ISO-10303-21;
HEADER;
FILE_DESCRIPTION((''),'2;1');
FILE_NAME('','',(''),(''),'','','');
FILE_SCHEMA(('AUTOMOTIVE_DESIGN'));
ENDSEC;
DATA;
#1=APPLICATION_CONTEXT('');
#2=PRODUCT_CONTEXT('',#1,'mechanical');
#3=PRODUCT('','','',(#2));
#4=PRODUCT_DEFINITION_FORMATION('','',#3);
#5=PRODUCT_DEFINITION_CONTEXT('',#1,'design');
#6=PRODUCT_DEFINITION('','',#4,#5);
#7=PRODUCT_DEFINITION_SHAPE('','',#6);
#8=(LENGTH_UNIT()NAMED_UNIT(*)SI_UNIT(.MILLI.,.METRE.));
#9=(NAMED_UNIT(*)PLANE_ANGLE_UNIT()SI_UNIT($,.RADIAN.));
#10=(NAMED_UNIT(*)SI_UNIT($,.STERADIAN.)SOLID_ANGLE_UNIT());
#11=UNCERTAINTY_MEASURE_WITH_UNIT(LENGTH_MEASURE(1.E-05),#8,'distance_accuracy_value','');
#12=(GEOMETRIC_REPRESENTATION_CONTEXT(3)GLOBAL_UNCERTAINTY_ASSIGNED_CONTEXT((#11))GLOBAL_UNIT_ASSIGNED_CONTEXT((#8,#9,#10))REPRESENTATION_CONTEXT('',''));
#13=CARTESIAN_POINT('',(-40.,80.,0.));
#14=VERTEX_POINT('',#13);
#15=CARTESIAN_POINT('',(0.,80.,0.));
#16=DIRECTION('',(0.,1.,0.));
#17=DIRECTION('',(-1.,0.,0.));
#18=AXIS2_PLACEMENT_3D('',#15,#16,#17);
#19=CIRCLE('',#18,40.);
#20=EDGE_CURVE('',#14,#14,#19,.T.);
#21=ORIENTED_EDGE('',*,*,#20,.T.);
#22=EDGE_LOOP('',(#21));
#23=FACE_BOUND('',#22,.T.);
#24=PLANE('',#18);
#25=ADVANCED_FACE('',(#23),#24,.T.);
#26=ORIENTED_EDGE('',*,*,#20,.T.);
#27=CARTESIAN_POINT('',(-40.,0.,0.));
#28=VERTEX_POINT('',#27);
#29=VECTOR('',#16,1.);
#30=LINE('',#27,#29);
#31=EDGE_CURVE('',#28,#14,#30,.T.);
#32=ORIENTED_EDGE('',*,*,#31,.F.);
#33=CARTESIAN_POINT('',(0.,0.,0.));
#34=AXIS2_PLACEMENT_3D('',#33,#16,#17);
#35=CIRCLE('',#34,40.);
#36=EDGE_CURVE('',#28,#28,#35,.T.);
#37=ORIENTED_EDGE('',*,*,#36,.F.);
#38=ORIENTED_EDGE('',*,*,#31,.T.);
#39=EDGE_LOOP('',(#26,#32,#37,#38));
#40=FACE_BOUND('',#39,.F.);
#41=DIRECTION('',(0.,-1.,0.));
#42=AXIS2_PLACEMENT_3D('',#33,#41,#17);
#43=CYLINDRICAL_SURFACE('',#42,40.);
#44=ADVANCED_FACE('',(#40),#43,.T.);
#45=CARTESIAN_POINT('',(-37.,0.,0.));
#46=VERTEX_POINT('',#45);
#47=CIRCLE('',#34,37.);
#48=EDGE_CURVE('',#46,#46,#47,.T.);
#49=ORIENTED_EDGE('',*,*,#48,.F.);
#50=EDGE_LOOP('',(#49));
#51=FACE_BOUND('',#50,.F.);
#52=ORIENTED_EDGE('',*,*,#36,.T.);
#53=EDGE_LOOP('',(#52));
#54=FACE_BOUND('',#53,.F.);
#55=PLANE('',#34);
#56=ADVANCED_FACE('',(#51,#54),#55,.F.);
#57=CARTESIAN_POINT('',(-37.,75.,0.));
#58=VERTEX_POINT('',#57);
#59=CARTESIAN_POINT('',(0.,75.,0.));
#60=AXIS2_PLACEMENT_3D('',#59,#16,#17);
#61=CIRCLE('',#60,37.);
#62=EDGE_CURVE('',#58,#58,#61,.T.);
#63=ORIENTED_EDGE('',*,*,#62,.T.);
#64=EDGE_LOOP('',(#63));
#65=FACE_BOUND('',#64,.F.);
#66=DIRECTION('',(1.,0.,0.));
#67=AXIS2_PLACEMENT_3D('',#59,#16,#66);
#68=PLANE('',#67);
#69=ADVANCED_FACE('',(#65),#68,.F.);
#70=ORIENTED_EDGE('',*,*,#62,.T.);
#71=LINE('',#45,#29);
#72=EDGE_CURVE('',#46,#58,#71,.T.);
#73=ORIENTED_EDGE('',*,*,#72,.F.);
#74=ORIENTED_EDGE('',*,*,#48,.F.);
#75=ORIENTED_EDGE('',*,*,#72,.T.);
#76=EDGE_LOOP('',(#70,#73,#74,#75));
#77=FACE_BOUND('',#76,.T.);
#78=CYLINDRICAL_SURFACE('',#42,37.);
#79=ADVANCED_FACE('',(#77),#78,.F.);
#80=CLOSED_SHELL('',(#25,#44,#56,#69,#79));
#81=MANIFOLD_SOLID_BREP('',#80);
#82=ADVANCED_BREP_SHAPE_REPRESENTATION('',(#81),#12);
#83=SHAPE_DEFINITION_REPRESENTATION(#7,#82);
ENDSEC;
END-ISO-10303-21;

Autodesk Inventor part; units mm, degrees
ref_plane "YZ Plane" through (0, 0, 0) normal (1, 0, 0) x (0, 1, 0)
ref_plane "XZ Plane" through (0, 0, 0) normal (0, 1, 0) x (-1, 0, 0)
ref_plane "XY Plane" through (0, 0, 0) normal (0, 0, 1) x (1, 0, 0)
sketch "Esquisse1" plane through (0, 0, 0) normal (0, 1, 0) x (-1, 0, 0)
  circle A0 centre (0, 0) radius 40
  circle A1 centre (0, 0) radius 37
  dimension "d0" = 74
  dimension "d2" = 80
extrude "Extrusion1" add sketch "Esquisse1" along normal blind 80
sketch "Esquisse2" plane through (0, 80, 0) normal (0, 1, 0) x (1, 0, 0)
  circle A0 centre (0, 0) radius 37 projected
  circle A1 centre (0, 0) radius 40 projected
  circle A2 centre (0, 0) radius 37
extrude "Extrusion2" add sketch "Esquisse2" against normal blind 5 contours A0
properties part number "verre"
